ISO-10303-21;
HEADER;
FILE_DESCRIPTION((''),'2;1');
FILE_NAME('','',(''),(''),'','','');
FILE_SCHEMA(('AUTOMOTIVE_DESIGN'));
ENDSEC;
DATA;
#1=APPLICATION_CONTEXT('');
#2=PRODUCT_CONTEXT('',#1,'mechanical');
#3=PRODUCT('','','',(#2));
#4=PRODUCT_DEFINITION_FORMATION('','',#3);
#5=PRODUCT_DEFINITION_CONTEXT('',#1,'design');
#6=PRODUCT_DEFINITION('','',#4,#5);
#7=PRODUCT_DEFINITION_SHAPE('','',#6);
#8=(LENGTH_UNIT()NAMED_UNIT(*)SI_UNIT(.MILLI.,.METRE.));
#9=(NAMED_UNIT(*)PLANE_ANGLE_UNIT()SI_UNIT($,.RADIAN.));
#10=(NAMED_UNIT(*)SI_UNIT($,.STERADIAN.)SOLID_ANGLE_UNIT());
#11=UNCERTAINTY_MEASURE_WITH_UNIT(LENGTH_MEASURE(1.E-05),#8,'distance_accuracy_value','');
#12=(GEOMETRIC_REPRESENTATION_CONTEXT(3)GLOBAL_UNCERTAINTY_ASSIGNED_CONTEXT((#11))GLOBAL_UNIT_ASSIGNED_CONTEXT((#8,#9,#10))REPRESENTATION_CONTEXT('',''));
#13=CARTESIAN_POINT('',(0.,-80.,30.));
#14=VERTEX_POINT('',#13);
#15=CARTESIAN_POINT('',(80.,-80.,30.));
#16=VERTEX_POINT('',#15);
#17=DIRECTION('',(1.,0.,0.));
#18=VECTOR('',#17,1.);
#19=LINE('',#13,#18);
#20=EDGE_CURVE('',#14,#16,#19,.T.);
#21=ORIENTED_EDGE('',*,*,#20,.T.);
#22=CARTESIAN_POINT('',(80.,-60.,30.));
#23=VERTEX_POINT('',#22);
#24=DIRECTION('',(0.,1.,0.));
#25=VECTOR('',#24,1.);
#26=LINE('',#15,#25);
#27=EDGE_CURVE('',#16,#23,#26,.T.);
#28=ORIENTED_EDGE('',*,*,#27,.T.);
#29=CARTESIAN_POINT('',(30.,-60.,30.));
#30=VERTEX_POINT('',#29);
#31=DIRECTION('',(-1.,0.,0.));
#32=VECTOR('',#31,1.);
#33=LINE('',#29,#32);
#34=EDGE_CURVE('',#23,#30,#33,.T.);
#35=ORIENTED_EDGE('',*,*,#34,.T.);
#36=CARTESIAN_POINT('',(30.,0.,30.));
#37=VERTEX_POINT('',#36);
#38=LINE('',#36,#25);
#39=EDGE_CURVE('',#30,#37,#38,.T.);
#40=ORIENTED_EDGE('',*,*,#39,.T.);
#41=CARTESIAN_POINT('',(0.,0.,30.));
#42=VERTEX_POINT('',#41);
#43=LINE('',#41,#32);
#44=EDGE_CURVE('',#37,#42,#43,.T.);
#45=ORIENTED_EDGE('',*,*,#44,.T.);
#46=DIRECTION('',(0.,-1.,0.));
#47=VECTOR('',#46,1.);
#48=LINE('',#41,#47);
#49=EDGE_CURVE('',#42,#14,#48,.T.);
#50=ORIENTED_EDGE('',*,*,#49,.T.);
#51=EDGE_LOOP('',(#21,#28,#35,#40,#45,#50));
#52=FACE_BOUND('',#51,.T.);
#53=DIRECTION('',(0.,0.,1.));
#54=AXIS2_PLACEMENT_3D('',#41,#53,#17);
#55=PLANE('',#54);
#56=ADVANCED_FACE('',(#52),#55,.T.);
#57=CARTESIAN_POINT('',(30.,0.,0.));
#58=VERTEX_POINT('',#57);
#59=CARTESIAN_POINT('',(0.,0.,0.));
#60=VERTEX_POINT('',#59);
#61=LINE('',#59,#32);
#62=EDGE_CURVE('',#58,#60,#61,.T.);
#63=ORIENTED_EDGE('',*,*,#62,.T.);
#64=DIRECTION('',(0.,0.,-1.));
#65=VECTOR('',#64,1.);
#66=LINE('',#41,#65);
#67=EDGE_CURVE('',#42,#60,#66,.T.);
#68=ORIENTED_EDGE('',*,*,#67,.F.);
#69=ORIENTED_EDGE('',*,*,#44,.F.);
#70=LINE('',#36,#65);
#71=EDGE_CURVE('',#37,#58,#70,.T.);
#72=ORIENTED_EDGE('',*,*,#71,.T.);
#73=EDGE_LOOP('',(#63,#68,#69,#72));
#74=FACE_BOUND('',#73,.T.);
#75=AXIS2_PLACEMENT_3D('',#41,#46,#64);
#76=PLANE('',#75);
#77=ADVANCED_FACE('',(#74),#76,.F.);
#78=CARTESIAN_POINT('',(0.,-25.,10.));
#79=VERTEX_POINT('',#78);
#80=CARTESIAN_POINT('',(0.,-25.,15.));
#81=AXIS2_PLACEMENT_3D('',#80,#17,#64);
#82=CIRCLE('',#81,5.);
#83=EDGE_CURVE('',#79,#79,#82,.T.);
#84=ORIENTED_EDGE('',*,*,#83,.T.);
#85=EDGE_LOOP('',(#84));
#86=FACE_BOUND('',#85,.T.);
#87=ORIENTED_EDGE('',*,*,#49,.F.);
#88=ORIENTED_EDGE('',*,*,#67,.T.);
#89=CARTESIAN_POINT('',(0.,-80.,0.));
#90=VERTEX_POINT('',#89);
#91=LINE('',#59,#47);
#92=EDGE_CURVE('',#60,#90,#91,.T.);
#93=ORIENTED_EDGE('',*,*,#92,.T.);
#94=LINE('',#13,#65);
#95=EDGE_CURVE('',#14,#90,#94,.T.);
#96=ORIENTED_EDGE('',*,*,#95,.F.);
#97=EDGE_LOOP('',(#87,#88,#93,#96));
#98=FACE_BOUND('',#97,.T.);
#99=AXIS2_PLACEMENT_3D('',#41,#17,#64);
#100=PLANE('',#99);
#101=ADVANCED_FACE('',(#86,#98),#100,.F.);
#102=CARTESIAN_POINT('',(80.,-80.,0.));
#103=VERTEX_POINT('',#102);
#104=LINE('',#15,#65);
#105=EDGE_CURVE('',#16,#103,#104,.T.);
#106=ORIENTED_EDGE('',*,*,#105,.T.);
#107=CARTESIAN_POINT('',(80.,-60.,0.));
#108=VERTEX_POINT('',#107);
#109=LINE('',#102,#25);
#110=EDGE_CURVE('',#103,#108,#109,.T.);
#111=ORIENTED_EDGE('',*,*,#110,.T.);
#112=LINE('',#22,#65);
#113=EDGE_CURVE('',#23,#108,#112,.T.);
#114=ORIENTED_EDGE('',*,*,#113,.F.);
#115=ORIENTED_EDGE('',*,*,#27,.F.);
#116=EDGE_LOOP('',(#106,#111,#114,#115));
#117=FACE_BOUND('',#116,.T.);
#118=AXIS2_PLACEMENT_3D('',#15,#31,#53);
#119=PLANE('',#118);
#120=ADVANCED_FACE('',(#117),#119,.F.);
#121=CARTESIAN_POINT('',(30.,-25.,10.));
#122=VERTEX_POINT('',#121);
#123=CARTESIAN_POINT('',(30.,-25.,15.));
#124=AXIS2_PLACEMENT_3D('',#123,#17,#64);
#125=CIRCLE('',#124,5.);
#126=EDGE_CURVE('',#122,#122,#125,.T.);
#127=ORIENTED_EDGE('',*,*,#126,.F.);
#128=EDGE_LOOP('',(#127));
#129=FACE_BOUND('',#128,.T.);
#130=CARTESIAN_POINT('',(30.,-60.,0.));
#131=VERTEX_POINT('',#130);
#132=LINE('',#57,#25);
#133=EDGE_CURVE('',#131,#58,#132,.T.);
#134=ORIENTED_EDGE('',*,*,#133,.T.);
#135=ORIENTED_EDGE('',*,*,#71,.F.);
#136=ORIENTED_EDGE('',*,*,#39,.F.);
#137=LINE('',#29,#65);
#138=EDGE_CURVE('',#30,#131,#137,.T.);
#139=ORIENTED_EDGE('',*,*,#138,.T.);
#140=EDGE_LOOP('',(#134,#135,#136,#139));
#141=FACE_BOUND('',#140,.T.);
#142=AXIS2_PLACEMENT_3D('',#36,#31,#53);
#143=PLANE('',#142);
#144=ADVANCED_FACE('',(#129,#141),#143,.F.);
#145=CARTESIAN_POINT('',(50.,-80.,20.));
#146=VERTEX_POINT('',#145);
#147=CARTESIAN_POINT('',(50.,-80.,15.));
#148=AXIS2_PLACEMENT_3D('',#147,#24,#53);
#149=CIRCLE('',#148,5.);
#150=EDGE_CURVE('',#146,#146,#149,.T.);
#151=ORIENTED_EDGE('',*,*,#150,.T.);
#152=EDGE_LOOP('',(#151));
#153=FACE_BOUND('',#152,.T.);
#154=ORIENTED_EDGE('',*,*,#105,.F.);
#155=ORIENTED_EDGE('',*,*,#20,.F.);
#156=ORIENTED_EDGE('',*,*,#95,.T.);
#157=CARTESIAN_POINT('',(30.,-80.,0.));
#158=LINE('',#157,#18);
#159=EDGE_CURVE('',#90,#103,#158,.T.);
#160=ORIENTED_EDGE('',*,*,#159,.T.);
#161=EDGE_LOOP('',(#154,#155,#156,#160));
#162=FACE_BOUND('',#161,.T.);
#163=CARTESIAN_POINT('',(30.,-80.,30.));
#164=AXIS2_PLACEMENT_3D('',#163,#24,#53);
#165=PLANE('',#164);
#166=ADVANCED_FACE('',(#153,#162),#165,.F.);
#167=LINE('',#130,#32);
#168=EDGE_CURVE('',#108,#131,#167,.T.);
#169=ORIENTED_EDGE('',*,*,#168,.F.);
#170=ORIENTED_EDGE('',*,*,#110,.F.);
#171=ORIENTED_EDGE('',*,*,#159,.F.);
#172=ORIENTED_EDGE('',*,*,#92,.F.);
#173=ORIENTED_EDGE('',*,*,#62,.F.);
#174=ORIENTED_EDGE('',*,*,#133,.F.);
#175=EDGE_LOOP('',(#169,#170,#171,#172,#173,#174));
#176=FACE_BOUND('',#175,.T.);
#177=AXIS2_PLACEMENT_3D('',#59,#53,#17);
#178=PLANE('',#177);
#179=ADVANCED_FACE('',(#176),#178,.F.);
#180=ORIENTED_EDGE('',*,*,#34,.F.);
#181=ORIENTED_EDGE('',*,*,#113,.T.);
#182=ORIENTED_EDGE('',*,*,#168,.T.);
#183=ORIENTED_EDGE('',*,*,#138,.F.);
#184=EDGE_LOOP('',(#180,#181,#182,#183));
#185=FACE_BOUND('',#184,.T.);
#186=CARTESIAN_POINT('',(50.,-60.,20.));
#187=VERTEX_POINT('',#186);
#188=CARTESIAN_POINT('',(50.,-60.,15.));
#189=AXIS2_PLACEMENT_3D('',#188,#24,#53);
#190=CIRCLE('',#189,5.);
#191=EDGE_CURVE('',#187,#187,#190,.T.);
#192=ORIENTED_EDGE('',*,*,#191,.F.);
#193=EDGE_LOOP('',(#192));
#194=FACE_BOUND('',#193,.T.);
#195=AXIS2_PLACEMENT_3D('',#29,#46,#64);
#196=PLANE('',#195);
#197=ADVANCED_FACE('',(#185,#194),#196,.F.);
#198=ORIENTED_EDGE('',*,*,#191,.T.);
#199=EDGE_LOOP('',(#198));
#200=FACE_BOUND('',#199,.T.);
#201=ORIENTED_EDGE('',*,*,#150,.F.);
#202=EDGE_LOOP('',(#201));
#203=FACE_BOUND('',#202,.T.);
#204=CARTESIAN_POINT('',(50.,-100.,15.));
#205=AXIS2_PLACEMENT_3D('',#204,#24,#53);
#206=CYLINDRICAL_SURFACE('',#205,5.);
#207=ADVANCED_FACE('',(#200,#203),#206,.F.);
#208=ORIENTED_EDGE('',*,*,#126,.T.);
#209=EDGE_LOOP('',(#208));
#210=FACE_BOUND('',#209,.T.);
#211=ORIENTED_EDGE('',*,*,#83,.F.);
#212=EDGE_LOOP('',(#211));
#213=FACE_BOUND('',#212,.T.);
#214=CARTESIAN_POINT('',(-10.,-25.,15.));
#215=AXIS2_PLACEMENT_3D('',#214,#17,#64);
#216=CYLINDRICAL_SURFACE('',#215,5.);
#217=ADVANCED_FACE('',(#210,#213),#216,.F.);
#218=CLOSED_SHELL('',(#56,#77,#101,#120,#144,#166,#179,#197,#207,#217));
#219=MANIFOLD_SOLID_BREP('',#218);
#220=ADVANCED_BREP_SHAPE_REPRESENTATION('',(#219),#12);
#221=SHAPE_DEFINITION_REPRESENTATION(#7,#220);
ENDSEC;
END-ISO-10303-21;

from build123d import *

# Parameters (mm, degrees)
BOSS_EXTRUDE1_DEPTH = 30
SKETCH2_R           = 5
CUT_EXTRUDE2_DEPTH  = 40
SKETCH4_R           = 5
CUT_EXTRUDE3_DEPTH  = 40


with BuildPart() as part:
    # Sketch1 → Boss-Extrude1 (new body)
    with BuildSketch(Plane.XY):
        Polygon((0, 0), (30, 0), (30, -60), (80, -60), (80, -80), (30, -80), (0, -80), align=None)
    extrude(amount=BOSS_EXTRUDE1_DEPTH)

    # Sketch2 → Cut-Extrude2 (cut)
    with BuildSketch(Plane(origin=(30, 0, 0), x_dir=(0, 0, -1), z_dir=(1, 0, 0))):
        with Locations((-15, -25)):
            Circle(SKETCH2_R)
    extrude(amount=-CUT_EXTRUDE2_DEPTH, mode=Mode.SUBTRACT)

    # Sketch4 → Cut-Extrude3 (cut)
    with BuildSketch(Plane(origin=(0, -60, 0), x_dir=(1, 0, 0), z_dir=(0, 1, 0))):
        with Locations(Location((50, -15, 0), (0, 0, 270))):
            Circle(SKETCH4_R)
    extrude(amount=-CUT_EXTRUDE3_DEPTH, mode=Mode.SUBTRACT)


solid = part.part
